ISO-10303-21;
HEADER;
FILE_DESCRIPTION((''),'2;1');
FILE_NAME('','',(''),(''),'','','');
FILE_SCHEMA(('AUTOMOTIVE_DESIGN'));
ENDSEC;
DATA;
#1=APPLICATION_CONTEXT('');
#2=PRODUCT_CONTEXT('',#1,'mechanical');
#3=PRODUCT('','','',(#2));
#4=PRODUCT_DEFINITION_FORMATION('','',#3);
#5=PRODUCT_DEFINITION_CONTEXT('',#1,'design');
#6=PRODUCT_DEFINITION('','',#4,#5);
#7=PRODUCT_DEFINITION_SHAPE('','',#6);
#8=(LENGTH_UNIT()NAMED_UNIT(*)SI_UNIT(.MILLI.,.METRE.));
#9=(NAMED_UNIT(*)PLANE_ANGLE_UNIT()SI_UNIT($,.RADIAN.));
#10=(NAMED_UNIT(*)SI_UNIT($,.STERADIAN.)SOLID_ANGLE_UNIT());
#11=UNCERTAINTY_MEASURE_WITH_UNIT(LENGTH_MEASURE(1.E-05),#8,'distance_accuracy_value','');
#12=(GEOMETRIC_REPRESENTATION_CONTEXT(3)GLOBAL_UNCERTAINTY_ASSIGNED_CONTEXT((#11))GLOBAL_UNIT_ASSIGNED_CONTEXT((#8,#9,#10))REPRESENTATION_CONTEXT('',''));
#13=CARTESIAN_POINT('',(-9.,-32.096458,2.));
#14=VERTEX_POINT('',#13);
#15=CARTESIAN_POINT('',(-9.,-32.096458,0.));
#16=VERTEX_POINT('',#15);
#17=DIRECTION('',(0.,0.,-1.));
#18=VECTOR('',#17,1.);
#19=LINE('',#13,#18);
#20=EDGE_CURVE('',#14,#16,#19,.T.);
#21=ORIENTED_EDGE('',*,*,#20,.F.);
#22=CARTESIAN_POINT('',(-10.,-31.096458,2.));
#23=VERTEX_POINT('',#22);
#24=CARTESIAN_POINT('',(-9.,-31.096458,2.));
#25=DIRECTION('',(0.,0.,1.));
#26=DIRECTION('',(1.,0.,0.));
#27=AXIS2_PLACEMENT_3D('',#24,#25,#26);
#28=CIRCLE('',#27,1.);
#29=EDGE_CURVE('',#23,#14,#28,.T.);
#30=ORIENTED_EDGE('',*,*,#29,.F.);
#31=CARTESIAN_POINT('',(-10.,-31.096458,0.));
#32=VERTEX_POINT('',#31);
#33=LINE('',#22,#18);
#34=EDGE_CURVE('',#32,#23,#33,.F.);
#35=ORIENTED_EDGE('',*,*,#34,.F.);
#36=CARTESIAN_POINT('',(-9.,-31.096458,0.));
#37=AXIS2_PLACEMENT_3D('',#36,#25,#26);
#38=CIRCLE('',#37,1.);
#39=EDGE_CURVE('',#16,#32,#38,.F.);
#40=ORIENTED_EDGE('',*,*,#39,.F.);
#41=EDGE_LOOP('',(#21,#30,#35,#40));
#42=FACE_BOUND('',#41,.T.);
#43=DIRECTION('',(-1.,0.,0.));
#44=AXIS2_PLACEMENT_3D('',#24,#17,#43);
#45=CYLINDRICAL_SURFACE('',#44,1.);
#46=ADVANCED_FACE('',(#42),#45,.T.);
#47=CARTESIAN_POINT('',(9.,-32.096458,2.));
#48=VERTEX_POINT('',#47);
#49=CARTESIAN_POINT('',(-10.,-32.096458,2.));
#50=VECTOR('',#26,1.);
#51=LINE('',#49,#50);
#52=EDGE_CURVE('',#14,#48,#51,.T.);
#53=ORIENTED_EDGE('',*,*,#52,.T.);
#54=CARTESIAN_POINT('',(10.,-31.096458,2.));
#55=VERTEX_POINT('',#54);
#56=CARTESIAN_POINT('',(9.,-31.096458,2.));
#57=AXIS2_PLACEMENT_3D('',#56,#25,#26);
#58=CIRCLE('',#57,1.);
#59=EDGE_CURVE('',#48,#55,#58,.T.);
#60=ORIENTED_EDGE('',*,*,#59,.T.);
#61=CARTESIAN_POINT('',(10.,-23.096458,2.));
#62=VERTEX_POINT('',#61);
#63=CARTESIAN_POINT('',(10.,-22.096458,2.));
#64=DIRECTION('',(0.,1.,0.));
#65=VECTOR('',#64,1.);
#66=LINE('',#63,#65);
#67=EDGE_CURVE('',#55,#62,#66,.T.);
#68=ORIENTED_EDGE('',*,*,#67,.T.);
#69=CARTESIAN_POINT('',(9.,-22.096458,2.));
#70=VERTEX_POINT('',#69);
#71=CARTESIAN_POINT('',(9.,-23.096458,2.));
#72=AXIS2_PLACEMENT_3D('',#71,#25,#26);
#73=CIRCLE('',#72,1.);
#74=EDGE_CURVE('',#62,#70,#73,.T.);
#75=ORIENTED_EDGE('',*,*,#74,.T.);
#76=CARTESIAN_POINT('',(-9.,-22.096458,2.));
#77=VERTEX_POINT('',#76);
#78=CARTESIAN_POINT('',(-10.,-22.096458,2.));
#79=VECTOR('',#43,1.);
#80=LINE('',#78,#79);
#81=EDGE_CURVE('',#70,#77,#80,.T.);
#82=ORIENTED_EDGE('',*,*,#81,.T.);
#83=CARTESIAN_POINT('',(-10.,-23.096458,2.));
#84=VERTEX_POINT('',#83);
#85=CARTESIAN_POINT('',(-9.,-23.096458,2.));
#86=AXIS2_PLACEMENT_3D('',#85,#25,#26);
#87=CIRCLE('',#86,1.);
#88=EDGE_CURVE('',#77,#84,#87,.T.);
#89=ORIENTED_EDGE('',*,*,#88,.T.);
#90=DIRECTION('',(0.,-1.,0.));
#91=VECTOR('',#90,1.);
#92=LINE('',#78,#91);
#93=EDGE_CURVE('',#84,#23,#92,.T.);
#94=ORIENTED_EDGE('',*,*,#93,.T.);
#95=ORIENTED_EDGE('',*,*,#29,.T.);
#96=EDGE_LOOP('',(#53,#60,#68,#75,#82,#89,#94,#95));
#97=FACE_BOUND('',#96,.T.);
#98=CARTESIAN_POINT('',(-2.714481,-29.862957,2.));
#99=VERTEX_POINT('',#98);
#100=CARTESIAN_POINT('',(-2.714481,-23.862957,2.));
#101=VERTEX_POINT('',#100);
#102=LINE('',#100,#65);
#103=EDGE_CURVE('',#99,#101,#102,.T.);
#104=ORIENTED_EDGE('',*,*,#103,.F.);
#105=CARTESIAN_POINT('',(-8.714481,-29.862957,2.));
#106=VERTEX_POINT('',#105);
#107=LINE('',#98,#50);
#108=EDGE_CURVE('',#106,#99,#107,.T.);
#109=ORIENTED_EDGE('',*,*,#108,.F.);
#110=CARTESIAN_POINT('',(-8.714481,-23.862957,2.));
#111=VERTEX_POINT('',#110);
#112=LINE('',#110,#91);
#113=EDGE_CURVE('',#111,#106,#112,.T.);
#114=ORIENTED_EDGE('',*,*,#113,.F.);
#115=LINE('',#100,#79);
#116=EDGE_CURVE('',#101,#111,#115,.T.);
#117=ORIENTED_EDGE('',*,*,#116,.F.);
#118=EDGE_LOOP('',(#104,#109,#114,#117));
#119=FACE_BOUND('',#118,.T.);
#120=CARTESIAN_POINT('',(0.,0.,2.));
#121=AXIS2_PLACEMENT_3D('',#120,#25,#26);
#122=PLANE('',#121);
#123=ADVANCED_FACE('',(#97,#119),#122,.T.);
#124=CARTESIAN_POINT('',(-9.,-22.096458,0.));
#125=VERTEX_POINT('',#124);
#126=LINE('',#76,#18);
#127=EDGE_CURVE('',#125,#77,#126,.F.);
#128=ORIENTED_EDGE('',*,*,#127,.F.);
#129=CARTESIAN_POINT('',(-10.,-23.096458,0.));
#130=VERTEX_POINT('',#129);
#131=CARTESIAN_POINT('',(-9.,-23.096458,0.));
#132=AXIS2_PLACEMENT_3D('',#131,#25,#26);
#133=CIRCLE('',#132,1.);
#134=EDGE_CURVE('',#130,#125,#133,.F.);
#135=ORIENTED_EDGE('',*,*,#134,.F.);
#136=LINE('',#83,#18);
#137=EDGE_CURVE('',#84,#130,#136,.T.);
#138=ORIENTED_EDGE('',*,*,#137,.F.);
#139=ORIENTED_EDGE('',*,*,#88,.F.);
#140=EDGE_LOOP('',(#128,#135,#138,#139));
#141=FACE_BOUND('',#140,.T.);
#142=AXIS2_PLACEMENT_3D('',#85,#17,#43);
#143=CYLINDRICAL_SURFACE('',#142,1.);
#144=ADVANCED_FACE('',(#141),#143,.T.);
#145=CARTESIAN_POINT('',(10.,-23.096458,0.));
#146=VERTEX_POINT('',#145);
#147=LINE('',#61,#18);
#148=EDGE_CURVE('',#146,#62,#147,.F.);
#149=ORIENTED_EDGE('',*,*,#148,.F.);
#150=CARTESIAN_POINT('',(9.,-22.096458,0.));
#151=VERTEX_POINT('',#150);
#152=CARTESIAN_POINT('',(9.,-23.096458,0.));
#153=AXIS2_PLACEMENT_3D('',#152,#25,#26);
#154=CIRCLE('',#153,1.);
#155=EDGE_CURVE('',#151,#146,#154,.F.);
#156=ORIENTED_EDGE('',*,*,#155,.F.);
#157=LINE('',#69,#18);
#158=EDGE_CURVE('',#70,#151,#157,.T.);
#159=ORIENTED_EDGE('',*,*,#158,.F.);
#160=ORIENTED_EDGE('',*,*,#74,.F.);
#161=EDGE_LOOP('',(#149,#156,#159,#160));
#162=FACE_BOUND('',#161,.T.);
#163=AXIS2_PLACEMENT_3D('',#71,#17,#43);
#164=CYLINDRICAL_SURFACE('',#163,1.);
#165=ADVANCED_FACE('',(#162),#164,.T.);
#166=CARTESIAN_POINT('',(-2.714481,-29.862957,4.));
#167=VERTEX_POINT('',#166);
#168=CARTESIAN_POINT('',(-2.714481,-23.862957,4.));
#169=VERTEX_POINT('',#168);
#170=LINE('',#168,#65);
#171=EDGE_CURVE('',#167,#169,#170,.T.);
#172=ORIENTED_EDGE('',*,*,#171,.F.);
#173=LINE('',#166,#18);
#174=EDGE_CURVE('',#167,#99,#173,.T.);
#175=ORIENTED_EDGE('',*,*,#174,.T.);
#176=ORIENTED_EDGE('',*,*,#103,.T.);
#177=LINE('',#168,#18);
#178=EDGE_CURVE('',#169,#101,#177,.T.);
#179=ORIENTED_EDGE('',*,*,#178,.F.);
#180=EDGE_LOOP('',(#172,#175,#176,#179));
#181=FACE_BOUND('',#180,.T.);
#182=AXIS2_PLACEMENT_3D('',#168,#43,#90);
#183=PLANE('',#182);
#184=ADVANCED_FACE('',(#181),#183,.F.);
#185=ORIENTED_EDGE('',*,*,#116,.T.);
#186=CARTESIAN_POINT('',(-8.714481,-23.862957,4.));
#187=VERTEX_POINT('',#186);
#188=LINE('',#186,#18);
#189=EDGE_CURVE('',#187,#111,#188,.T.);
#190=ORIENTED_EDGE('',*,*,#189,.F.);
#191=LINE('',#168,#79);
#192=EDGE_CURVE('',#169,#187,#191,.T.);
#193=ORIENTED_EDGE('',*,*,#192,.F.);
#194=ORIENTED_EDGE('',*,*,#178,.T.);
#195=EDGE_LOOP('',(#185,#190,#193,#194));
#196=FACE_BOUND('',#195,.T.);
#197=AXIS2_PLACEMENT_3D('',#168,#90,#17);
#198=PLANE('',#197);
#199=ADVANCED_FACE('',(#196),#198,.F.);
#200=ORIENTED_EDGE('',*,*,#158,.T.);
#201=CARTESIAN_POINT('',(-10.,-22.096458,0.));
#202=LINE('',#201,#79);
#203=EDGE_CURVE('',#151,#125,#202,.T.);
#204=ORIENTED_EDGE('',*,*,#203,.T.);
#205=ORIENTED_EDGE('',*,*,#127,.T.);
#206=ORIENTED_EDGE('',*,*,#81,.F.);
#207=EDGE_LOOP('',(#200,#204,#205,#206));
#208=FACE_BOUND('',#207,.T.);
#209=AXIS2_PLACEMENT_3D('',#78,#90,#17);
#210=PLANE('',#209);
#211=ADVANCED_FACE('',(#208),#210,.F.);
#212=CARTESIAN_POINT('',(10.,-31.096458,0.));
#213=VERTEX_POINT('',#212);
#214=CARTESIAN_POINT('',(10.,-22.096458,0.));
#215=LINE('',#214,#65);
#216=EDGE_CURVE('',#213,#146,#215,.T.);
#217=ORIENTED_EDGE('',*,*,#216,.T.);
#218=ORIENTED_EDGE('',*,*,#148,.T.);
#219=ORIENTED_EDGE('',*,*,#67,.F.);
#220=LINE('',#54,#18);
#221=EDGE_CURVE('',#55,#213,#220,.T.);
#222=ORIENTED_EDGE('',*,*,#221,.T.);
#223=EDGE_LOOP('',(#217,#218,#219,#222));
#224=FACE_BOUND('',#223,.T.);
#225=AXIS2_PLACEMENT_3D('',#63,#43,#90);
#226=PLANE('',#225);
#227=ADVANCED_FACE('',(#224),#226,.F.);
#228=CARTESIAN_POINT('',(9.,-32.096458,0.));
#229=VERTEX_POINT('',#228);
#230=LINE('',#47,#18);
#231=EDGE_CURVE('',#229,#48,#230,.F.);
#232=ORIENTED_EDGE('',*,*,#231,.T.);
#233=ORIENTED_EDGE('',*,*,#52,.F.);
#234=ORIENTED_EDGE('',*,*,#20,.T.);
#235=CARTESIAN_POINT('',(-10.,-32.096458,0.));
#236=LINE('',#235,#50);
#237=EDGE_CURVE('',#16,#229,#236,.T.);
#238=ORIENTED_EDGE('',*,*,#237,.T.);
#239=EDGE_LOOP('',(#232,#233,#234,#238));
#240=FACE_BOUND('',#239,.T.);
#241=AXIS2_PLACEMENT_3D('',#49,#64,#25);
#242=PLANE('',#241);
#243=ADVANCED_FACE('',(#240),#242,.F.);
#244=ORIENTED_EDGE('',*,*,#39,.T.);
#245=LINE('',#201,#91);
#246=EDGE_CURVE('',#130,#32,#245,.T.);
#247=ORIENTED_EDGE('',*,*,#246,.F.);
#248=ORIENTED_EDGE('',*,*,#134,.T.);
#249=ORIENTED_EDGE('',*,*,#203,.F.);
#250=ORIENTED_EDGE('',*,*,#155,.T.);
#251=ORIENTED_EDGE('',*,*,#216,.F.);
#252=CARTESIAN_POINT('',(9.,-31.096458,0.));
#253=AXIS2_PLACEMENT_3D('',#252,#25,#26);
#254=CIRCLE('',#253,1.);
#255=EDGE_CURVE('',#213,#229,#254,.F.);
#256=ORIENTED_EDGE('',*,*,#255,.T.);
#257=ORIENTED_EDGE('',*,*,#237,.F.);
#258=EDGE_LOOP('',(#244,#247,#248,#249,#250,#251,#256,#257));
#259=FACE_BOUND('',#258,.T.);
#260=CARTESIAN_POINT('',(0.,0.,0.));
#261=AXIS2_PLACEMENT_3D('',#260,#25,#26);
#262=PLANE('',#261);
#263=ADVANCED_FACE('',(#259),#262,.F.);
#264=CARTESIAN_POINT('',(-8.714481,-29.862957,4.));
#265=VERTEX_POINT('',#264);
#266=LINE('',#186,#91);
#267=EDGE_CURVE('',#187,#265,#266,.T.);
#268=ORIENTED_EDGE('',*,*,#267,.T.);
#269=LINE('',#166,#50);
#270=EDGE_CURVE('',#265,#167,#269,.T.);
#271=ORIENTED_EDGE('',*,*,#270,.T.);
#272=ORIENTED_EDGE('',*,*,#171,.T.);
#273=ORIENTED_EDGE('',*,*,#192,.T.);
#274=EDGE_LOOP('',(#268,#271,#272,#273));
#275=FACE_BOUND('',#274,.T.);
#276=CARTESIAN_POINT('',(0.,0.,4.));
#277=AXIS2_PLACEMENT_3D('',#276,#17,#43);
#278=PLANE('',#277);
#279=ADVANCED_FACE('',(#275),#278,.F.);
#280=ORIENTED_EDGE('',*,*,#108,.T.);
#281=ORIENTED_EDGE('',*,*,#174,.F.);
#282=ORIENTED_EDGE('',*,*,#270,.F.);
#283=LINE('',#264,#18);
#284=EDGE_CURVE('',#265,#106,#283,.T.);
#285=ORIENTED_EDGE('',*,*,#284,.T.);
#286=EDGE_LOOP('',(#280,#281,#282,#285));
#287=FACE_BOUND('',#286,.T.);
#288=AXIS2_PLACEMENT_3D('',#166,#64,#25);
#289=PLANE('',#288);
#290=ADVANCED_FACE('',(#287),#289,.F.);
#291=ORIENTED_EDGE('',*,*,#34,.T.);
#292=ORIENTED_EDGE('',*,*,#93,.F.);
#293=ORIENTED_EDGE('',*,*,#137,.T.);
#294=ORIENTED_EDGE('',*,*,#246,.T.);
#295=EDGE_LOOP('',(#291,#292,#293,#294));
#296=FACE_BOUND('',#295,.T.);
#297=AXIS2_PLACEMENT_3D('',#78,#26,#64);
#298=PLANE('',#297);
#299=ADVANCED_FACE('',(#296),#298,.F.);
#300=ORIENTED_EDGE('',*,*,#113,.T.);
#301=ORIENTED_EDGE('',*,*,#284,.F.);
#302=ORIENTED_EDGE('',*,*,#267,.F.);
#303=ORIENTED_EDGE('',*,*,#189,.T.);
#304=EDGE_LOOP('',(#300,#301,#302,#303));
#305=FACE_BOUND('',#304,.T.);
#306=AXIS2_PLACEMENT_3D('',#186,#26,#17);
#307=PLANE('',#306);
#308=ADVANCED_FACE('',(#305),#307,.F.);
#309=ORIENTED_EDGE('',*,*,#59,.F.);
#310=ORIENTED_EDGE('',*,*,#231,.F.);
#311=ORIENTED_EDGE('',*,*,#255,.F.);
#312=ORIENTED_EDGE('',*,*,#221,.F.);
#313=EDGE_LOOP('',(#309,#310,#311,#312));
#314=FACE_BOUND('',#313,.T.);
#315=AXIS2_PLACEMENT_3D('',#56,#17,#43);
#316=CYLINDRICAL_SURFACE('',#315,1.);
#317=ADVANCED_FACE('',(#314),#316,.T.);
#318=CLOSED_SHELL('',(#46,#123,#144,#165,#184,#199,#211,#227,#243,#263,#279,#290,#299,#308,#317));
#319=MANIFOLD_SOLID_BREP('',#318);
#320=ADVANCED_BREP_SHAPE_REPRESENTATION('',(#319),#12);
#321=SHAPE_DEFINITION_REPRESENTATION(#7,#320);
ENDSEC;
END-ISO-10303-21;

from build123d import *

# Parameters (mm, degrees)
SKETCH1_W           = 20
SKETCH1_H           = 10
BOSS_EXTRUDE1_DEPTH = 2
FILLET1_R           = 1
SKETCH2_W           = 6
SKETCH2_H           = 6
BOSS_EXTRUDE2_DEPTH = 2


with BuildPart() as part:
    # Sketch1 → Boss-Extrude1 (new body)
    with BuildSketch(Plane.XY):
        with Locations((0, -27.096458497)):
            Rectangle(SKETCH1_W, SKETCH1_H)
    extrude(amount=BOSS_EXTRUDE1_DEPTH)

    # Fillet1
    fillet1_edges = [part.edges().sort_by_distance(p)[0] for p in [
        (-10, -22.096458497, 1),
        (10, -22.096458497, 1),
        (10, -32.096458497, 1),
        (-10, -32.096458497, 1),
    ]]
    fillet(fillet1_edges, radius=FILLET1_R)

    # Sketch2 → Boss-Extrude2 (add)
    with BuildSketch(Plane.XY.offset(2)):
        with Locations((-5.714480975, -26.862957006)):
            Rectangle(SKETCH2_W, SKETCH2_H)
    extrude(amount=BOSS_EXTRUDE2_DEPTH)


solid = part.part
